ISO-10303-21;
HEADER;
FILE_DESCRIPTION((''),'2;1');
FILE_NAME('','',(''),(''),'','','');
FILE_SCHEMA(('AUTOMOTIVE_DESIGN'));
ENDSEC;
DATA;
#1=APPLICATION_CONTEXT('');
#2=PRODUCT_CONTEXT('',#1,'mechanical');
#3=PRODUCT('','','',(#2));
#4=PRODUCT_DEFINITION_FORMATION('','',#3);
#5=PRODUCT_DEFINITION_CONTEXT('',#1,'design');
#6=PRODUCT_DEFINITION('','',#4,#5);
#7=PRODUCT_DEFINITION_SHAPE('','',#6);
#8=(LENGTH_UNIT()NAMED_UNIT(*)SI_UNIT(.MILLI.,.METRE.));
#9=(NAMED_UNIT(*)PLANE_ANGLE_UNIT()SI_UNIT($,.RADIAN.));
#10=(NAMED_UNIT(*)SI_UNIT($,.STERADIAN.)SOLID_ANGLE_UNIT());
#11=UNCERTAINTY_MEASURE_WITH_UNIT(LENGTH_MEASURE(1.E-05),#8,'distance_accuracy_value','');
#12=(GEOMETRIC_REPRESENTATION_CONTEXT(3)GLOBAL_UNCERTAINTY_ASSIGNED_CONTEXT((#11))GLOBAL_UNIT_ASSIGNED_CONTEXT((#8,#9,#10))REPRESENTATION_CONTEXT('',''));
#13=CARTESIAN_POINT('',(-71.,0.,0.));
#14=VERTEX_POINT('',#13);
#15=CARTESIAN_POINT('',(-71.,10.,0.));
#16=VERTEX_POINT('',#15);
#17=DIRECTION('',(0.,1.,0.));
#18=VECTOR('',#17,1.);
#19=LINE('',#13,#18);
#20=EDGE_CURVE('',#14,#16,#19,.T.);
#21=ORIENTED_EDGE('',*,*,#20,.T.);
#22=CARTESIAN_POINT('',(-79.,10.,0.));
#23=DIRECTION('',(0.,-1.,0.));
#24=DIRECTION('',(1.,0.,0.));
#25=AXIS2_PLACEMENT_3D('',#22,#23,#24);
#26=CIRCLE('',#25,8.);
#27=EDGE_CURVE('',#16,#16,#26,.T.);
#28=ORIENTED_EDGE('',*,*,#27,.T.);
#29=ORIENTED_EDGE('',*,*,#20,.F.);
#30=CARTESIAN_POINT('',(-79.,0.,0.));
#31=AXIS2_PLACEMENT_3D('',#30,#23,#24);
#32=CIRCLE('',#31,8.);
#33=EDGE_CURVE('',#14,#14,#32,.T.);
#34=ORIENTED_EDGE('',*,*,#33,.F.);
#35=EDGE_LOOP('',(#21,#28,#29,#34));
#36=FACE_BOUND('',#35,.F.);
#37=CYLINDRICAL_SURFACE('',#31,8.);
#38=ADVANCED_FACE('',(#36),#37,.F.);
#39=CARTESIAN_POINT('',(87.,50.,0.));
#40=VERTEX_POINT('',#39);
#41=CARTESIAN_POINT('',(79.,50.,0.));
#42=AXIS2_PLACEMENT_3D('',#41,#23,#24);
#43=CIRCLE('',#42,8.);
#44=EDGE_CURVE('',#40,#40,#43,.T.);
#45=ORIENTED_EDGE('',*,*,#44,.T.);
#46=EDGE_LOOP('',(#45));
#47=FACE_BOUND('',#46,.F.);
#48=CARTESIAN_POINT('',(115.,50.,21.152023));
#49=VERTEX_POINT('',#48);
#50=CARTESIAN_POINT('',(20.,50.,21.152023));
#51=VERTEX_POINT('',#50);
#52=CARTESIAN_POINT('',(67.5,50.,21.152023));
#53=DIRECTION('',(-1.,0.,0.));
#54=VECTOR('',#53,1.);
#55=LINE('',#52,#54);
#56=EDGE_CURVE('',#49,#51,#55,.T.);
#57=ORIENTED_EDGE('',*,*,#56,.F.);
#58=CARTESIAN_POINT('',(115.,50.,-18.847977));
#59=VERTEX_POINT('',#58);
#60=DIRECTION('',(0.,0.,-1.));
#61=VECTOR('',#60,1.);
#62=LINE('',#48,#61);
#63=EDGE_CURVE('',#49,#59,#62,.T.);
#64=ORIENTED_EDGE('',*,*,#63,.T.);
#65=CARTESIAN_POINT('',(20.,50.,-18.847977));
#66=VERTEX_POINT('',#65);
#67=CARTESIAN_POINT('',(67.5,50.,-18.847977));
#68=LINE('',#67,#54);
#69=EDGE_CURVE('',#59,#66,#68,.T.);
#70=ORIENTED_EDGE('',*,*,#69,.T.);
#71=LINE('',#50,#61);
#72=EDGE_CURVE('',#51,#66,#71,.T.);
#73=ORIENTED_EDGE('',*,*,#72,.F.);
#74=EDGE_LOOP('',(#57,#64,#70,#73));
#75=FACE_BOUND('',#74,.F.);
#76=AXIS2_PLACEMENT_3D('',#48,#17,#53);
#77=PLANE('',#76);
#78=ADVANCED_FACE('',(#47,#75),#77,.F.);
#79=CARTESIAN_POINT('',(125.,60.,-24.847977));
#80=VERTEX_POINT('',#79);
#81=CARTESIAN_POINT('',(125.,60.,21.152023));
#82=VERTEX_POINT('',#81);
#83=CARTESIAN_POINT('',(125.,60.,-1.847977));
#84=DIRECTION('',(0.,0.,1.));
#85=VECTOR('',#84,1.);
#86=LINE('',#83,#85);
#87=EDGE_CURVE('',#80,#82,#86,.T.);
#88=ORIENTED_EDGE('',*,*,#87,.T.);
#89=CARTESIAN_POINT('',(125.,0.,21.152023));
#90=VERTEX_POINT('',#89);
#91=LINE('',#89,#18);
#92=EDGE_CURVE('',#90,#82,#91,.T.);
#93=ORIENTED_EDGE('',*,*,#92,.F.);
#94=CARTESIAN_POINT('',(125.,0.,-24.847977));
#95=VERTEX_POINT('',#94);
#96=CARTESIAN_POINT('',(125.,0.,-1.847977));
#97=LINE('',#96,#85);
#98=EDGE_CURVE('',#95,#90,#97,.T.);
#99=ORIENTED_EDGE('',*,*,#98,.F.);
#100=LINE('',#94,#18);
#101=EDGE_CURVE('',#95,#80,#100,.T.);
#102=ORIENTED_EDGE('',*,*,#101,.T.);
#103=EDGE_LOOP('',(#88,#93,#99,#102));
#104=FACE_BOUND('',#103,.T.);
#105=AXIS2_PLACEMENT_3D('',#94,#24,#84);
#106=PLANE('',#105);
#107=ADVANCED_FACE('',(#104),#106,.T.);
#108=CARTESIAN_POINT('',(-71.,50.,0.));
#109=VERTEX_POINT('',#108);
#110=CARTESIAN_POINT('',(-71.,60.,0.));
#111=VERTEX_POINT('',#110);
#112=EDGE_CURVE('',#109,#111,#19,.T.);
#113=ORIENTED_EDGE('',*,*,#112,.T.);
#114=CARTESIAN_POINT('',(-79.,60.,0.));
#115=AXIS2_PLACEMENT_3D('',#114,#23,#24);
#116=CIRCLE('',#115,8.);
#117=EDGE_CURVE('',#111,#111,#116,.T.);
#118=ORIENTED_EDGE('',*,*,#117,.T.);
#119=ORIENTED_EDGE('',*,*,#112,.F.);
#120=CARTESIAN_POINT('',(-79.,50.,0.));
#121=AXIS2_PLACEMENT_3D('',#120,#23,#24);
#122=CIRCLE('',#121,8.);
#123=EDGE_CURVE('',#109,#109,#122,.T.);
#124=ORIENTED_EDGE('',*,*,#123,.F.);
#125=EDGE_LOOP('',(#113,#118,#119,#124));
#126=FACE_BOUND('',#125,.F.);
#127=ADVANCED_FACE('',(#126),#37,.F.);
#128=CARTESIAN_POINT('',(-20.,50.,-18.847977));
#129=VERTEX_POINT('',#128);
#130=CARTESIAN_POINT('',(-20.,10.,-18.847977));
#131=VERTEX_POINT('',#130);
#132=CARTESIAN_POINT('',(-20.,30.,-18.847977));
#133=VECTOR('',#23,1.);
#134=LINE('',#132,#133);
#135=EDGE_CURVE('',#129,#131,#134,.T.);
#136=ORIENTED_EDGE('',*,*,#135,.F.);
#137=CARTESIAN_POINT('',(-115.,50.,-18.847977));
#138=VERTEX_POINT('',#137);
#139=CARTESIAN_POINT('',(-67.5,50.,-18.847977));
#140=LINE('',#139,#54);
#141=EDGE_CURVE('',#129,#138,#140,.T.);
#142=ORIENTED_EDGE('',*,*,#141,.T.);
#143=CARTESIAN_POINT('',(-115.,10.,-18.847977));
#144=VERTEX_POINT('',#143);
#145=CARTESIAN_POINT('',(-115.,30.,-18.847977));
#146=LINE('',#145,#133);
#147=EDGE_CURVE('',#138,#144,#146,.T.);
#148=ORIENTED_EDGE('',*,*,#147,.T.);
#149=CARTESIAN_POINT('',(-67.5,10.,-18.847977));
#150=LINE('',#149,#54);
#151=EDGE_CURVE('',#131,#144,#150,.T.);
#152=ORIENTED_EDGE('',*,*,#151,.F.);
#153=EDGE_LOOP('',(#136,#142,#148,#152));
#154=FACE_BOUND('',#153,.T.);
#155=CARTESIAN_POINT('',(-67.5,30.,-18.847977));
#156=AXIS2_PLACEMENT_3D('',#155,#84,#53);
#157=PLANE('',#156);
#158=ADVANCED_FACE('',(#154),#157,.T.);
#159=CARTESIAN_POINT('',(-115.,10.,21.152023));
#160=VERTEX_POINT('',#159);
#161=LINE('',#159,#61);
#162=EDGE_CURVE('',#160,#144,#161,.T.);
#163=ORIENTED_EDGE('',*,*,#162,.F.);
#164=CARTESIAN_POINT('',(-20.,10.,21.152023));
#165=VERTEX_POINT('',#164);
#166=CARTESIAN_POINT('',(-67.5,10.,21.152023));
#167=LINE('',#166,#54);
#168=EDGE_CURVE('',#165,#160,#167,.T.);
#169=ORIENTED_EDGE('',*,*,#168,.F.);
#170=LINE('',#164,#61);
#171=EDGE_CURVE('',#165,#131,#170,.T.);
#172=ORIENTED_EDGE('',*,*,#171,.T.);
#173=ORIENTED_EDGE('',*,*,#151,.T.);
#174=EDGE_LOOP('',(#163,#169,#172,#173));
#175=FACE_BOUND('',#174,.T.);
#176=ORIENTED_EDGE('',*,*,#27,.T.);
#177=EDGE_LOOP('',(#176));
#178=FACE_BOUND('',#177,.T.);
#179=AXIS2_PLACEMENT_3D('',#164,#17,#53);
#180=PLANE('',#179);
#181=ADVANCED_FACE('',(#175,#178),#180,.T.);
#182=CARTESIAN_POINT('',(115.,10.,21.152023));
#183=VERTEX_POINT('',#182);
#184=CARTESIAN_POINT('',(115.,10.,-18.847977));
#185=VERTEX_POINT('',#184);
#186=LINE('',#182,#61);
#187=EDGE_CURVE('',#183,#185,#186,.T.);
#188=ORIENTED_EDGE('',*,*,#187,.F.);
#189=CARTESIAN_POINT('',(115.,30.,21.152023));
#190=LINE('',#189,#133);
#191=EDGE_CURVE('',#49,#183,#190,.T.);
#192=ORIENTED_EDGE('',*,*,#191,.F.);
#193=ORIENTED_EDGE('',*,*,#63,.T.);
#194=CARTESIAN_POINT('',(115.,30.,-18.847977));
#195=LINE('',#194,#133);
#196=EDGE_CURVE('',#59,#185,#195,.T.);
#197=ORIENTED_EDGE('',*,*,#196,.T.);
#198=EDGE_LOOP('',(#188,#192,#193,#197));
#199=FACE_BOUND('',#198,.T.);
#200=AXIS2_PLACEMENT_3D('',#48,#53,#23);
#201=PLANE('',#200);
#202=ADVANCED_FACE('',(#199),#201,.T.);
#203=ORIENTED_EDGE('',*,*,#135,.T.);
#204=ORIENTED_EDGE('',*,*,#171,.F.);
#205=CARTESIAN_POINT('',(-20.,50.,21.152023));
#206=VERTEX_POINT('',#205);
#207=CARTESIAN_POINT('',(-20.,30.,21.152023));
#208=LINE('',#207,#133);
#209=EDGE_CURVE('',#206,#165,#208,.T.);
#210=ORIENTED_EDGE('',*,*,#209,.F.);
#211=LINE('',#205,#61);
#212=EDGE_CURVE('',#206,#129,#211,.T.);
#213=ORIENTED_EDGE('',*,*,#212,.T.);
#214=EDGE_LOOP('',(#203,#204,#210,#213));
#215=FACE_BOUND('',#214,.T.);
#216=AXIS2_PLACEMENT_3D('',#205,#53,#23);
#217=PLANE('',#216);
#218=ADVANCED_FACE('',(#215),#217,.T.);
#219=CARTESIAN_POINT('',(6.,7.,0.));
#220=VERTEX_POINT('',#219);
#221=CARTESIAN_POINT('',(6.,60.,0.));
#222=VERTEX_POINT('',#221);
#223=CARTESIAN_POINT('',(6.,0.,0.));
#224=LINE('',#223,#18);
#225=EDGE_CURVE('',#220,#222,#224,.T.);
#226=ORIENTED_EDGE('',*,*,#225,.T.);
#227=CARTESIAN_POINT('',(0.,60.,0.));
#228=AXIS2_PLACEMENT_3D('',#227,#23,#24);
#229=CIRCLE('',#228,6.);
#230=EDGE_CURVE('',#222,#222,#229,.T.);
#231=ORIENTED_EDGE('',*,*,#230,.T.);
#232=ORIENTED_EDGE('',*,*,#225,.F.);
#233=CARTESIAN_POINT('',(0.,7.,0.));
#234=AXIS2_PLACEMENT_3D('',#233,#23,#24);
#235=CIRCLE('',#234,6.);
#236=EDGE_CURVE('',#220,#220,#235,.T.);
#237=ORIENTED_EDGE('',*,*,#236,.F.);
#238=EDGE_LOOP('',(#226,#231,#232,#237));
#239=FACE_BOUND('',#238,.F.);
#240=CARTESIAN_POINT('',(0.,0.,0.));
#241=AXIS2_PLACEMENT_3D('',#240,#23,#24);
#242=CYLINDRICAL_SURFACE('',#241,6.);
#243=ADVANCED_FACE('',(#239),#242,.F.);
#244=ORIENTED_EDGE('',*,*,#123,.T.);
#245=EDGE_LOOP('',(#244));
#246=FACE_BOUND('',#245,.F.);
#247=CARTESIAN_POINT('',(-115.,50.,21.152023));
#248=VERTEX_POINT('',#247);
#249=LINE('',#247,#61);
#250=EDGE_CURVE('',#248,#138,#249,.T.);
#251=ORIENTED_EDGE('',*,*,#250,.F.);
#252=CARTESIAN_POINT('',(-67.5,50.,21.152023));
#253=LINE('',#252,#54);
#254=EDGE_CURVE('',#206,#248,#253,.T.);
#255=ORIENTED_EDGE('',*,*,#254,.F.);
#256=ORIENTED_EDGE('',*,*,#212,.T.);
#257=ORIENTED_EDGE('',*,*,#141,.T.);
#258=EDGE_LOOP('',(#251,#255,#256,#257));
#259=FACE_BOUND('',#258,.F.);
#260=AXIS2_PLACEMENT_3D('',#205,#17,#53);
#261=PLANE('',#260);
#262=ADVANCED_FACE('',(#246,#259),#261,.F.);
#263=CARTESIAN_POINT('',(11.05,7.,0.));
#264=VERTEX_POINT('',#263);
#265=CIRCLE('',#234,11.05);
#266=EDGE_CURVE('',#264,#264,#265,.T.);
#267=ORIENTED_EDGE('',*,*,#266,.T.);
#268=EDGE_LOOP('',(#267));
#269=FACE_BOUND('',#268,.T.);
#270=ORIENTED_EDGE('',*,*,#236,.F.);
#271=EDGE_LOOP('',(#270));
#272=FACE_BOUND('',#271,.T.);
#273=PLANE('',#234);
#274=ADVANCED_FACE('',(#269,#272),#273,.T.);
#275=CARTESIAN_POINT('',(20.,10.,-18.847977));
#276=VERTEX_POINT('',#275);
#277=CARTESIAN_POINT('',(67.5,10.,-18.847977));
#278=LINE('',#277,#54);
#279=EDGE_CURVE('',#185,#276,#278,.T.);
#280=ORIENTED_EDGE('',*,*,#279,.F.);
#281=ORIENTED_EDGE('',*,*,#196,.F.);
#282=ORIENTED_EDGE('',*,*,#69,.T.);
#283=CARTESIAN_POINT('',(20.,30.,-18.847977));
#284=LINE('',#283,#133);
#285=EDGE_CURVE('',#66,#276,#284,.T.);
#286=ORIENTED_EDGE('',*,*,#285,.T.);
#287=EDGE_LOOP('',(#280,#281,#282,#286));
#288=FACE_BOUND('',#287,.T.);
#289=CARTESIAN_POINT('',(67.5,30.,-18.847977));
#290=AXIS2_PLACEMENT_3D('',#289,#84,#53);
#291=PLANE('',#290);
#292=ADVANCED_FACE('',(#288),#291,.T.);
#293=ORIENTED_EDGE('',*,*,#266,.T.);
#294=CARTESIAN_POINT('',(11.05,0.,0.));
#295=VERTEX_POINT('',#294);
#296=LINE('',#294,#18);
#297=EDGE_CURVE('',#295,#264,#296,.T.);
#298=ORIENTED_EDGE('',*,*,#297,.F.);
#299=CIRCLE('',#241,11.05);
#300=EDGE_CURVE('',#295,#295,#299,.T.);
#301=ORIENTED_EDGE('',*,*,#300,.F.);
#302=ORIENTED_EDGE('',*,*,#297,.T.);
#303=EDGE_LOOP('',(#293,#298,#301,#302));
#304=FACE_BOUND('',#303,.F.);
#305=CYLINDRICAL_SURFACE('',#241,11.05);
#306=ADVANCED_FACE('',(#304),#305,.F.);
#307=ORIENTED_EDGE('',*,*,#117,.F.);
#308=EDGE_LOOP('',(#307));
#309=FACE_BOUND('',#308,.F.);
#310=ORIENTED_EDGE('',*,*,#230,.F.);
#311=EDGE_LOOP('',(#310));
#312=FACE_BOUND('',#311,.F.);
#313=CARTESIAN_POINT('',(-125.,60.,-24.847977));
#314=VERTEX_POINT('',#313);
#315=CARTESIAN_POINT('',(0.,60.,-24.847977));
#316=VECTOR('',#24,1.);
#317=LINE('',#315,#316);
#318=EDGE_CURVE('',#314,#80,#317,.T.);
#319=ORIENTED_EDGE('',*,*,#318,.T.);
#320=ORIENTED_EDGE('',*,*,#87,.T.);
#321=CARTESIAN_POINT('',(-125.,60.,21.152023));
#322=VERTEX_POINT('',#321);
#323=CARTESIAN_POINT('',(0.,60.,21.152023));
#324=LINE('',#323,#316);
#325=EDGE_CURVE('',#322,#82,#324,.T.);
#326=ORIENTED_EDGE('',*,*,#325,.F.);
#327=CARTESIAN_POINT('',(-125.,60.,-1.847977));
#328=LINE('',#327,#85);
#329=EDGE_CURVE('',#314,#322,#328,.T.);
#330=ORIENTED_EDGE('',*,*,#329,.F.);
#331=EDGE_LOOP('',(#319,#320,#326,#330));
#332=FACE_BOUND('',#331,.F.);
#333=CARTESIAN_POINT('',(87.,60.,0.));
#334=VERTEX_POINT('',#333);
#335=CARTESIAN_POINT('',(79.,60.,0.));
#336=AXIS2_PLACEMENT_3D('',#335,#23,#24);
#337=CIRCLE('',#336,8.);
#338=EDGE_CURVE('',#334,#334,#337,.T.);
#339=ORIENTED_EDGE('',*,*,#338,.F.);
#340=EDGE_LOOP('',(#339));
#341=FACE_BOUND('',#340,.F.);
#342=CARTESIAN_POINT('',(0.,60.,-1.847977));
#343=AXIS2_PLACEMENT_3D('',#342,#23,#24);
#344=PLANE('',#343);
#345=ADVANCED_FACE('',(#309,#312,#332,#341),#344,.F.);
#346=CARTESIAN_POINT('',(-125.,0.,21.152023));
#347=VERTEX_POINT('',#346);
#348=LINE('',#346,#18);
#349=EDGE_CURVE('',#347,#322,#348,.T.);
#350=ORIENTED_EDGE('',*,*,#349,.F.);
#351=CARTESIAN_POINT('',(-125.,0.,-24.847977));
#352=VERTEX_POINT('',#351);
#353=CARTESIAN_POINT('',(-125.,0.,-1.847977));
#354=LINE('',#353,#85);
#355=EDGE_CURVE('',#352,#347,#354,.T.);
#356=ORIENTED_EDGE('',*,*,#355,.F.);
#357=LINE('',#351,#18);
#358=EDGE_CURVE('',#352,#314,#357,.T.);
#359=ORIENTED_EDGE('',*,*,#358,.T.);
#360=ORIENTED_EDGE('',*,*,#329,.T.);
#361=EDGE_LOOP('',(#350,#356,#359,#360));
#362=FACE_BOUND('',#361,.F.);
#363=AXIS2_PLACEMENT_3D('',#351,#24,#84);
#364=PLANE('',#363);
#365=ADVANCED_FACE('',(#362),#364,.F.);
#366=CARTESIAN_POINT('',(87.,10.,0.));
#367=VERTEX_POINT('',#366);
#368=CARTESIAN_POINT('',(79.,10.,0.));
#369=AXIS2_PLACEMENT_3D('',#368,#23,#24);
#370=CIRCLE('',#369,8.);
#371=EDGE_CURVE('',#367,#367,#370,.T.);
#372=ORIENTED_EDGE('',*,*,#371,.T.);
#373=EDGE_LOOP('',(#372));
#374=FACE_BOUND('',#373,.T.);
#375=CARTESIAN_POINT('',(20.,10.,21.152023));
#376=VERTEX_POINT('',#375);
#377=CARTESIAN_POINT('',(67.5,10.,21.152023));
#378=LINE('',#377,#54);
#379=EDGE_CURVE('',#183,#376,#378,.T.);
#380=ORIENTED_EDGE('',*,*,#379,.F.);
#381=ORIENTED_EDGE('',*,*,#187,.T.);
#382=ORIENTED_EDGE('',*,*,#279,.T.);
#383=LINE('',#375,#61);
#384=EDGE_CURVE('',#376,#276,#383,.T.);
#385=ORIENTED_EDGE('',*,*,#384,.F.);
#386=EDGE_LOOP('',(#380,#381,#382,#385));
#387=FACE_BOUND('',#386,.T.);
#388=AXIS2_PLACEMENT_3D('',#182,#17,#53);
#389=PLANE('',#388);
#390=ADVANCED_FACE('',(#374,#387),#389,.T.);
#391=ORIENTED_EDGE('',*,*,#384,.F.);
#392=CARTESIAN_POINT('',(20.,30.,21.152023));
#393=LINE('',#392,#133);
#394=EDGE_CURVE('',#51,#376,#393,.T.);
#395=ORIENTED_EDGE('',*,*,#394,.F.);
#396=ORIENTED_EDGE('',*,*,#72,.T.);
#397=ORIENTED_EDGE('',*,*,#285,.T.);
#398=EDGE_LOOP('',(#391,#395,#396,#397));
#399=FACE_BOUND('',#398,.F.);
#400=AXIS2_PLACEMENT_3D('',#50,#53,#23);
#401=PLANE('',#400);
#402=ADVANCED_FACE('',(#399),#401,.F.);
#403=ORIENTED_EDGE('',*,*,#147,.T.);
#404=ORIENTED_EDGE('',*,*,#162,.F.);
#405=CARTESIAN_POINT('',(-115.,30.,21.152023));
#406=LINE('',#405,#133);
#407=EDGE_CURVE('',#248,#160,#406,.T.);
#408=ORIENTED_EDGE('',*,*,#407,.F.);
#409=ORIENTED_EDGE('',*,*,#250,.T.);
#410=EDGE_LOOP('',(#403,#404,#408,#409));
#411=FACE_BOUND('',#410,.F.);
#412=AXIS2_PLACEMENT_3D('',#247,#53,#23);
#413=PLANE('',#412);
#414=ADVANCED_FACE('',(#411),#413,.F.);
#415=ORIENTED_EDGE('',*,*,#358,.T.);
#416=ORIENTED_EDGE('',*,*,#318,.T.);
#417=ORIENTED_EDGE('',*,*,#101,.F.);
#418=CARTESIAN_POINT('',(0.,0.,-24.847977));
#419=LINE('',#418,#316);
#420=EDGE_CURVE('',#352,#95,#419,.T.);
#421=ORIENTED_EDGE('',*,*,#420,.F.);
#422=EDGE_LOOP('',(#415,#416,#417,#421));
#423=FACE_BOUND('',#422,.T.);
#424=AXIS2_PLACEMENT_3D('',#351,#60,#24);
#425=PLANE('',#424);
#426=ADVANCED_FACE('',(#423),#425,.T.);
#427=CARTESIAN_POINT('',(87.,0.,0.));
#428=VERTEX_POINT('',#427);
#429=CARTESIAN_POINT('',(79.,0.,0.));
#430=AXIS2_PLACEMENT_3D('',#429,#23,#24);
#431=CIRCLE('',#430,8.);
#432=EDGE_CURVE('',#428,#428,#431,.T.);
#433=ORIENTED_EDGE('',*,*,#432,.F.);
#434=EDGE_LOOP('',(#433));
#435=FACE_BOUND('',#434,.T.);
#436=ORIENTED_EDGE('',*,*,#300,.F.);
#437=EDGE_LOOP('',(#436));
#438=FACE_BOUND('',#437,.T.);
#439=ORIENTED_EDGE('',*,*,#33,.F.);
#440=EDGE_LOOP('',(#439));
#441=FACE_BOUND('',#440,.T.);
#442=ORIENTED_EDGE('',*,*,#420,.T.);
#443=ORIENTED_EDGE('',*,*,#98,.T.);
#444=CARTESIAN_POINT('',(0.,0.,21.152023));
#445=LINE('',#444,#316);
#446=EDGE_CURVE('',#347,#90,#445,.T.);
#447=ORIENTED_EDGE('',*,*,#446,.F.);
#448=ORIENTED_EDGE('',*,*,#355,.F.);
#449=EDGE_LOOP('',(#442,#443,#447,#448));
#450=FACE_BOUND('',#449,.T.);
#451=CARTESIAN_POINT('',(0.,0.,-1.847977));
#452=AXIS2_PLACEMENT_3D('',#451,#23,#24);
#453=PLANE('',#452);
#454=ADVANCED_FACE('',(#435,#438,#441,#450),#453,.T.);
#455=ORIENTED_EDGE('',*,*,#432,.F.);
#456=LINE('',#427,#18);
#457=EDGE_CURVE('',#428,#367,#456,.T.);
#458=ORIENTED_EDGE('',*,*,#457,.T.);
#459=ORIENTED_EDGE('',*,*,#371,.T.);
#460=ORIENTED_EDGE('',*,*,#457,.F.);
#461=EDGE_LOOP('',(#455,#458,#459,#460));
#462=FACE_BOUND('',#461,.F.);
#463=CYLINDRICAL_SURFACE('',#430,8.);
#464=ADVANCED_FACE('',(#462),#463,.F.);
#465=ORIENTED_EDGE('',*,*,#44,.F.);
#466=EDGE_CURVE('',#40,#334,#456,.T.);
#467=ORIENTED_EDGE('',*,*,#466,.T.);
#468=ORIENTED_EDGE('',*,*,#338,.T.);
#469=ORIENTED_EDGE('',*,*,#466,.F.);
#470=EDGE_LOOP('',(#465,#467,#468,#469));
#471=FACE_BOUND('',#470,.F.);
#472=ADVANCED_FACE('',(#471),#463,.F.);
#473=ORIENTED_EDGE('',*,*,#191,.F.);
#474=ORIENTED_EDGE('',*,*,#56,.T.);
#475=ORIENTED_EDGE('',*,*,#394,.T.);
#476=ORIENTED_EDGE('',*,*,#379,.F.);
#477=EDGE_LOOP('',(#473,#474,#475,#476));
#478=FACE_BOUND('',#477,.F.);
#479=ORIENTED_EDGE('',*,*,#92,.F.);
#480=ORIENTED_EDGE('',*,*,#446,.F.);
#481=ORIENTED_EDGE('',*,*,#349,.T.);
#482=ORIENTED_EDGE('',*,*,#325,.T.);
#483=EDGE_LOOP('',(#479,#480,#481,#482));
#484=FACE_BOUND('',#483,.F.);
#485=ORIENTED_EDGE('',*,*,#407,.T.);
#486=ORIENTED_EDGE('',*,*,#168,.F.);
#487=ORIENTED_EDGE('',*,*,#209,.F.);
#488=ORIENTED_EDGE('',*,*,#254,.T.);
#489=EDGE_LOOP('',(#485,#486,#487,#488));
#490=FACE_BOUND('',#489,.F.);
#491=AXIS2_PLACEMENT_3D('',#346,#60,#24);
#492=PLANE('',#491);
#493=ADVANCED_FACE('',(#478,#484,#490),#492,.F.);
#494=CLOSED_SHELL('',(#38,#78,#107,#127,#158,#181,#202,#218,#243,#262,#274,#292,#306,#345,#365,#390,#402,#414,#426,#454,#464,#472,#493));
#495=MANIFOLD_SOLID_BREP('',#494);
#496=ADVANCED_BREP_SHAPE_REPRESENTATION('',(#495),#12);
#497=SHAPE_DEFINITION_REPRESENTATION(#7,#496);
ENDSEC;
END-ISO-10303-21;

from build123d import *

# Parameters (mm, degrees)
SKETCH_W        = 250
SKETCH_H        = 46
PAD_DEPTH       = 60
SKETCH001_R     = 8
SKETCH001_R_2   = 6
POCKET_DEPTH    = 60.001
SKETCH002_W     = 95
SKETCH002_H     = 40
POCKET001_DEPTH = 40
SKETCH003_R     = 11.05
POCKET002_DEPTH = 7


with BuildPart() as part:
    # Sketch → Pad (new body)
    with BuildSketch(Plane.XZ):
        with Locations((0, -1.847977)):
            Rectangle(SKETCH_W, SKETCH_H)
    extrude(amount=-PAD_DEPTH)

    # Sketch001 → Pocket (cut, through all)
    with BuildSketch(Plane.XZ):
        with Locations((-79, 0)):
            Circle(SKETCH001_R)
        Circle(SKETCH001_R_2)
        with Locations((79, 0)):
            Circle(SKETCH001_R)
    extrude(amount=-POCKET_DEPTH, mode=Mode.SUBTRACT)

    # Sketch002 → Pocket001 (cut)
    with BuildSketch(Plane(origin=(0, 0, 21.152023), x_dir=(-1, 0, 0), z_dir=(0, 0, 1))):
        with Locations((-67.5, -30)):
            Rectangle(SKETCH002_W, SKETCH002_H)
        with Locations((67.5, -30)):
            Rectangle(SKETCH002_W, SKETCH002_H)
    extrude(amount=-POCKET001_DEPTH, mode=Mode.SUBTRACT)

    # Sketch003 → Pocket002 (cut)
    with BuildSketch(Plane.XZ):
        Circle(SKETCH003_R)
    extrude(amount=-POCKET002_DEPTH, mode=Mode.SUBTRACT)


solid = part.part
